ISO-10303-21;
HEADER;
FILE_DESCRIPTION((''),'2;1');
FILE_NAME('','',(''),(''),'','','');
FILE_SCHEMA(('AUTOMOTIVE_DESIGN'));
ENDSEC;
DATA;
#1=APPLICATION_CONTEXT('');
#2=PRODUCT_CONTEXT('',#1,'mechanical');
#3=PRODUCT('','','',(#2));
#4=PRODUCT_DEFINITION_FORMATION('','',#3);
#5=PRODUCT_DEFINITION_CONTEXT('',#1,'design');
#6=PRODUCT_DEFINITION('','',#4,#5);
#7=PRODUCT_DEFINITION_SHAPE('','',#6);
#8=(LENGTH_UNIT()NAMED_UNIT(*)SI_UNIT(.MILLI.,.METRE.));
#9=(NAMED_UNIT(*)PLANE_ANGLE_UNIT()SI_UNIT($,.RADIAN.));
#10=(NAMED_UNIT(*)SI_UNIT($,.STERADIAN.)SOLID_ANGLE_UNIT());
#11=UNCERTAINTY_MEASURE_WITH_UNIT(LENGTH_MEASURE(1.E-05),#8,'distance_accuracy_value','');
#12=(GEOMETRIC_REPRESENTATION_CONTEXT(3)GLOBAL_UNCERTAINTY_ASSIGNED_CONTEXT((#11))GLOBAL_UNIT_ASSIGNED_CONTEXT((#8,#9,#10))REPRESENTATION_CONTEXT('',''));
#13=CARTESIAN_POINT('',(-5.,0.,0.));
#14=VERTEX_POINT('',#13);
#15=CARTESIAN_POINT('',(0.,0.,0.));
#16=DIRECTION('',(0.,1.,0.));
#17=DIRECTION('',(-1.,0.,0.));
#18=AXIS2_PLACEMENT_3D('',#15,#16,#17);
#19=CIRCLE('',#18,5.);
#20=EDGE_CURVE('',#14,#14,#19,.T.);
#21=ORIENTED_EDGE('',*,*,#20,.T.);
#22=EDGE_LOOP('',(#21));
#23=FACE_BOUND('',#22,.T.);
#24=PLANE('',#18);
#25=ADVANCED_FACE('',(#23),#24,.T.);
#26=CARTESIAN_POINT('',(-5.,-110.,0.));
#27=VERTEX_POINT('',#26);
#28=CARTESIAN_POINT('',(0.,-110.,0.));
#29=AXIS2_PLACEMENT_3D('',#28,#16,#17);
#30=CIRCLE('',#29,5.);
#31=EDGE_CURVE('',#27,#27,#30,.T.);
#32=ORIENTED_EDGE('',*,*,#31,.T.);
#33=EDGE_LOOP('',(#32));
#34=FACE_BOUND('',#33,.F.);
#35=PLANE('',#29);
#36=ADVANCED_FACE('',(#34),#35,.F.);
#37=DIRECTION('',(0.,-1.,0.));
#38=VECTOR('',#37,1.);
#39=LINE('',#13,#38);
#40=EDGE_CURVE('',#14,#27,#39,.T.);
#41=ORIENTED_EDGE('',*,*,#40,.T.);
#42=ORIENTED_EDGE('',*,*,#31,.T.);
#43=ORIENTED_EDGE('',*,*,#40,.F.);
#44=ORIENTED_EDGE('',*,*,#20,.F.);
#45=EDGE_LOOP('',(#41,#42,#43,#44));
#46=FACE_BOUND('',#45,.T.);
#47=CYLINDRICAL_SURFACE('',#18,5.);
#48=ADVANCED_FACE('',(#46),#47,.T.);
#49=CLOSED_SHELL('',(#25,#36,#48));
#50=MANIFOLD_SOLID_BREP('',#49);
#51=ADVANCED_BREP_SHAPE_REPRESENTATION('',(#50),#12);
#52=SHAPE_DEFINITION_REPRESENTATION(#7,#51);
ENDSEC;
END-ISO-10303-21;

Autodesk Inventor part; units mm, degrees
ref_plane "YZ Plane" through (0, 0, 0) normal (1, 0, 0) x (0, 1, 0)
ref_plane "XZ Plane" through (0, 0, 0) normal (0, 1, 0) x (-1, 0, 0)
ref_plane "XY Plane" through (0, 0, 0) normal (0, 0, 1) x (1, 0, 0)
sketch "Sketch1" plane through (0, 0, 0) normal (0, 1, 0) x (-1, 0, 0)
  circle A0 centre (0, 0) radius 5
  dimension "d0" = 10
extrude "Extrusion1" add sketch "Sketch1" against normal blind 110
properties part number "shaft"
